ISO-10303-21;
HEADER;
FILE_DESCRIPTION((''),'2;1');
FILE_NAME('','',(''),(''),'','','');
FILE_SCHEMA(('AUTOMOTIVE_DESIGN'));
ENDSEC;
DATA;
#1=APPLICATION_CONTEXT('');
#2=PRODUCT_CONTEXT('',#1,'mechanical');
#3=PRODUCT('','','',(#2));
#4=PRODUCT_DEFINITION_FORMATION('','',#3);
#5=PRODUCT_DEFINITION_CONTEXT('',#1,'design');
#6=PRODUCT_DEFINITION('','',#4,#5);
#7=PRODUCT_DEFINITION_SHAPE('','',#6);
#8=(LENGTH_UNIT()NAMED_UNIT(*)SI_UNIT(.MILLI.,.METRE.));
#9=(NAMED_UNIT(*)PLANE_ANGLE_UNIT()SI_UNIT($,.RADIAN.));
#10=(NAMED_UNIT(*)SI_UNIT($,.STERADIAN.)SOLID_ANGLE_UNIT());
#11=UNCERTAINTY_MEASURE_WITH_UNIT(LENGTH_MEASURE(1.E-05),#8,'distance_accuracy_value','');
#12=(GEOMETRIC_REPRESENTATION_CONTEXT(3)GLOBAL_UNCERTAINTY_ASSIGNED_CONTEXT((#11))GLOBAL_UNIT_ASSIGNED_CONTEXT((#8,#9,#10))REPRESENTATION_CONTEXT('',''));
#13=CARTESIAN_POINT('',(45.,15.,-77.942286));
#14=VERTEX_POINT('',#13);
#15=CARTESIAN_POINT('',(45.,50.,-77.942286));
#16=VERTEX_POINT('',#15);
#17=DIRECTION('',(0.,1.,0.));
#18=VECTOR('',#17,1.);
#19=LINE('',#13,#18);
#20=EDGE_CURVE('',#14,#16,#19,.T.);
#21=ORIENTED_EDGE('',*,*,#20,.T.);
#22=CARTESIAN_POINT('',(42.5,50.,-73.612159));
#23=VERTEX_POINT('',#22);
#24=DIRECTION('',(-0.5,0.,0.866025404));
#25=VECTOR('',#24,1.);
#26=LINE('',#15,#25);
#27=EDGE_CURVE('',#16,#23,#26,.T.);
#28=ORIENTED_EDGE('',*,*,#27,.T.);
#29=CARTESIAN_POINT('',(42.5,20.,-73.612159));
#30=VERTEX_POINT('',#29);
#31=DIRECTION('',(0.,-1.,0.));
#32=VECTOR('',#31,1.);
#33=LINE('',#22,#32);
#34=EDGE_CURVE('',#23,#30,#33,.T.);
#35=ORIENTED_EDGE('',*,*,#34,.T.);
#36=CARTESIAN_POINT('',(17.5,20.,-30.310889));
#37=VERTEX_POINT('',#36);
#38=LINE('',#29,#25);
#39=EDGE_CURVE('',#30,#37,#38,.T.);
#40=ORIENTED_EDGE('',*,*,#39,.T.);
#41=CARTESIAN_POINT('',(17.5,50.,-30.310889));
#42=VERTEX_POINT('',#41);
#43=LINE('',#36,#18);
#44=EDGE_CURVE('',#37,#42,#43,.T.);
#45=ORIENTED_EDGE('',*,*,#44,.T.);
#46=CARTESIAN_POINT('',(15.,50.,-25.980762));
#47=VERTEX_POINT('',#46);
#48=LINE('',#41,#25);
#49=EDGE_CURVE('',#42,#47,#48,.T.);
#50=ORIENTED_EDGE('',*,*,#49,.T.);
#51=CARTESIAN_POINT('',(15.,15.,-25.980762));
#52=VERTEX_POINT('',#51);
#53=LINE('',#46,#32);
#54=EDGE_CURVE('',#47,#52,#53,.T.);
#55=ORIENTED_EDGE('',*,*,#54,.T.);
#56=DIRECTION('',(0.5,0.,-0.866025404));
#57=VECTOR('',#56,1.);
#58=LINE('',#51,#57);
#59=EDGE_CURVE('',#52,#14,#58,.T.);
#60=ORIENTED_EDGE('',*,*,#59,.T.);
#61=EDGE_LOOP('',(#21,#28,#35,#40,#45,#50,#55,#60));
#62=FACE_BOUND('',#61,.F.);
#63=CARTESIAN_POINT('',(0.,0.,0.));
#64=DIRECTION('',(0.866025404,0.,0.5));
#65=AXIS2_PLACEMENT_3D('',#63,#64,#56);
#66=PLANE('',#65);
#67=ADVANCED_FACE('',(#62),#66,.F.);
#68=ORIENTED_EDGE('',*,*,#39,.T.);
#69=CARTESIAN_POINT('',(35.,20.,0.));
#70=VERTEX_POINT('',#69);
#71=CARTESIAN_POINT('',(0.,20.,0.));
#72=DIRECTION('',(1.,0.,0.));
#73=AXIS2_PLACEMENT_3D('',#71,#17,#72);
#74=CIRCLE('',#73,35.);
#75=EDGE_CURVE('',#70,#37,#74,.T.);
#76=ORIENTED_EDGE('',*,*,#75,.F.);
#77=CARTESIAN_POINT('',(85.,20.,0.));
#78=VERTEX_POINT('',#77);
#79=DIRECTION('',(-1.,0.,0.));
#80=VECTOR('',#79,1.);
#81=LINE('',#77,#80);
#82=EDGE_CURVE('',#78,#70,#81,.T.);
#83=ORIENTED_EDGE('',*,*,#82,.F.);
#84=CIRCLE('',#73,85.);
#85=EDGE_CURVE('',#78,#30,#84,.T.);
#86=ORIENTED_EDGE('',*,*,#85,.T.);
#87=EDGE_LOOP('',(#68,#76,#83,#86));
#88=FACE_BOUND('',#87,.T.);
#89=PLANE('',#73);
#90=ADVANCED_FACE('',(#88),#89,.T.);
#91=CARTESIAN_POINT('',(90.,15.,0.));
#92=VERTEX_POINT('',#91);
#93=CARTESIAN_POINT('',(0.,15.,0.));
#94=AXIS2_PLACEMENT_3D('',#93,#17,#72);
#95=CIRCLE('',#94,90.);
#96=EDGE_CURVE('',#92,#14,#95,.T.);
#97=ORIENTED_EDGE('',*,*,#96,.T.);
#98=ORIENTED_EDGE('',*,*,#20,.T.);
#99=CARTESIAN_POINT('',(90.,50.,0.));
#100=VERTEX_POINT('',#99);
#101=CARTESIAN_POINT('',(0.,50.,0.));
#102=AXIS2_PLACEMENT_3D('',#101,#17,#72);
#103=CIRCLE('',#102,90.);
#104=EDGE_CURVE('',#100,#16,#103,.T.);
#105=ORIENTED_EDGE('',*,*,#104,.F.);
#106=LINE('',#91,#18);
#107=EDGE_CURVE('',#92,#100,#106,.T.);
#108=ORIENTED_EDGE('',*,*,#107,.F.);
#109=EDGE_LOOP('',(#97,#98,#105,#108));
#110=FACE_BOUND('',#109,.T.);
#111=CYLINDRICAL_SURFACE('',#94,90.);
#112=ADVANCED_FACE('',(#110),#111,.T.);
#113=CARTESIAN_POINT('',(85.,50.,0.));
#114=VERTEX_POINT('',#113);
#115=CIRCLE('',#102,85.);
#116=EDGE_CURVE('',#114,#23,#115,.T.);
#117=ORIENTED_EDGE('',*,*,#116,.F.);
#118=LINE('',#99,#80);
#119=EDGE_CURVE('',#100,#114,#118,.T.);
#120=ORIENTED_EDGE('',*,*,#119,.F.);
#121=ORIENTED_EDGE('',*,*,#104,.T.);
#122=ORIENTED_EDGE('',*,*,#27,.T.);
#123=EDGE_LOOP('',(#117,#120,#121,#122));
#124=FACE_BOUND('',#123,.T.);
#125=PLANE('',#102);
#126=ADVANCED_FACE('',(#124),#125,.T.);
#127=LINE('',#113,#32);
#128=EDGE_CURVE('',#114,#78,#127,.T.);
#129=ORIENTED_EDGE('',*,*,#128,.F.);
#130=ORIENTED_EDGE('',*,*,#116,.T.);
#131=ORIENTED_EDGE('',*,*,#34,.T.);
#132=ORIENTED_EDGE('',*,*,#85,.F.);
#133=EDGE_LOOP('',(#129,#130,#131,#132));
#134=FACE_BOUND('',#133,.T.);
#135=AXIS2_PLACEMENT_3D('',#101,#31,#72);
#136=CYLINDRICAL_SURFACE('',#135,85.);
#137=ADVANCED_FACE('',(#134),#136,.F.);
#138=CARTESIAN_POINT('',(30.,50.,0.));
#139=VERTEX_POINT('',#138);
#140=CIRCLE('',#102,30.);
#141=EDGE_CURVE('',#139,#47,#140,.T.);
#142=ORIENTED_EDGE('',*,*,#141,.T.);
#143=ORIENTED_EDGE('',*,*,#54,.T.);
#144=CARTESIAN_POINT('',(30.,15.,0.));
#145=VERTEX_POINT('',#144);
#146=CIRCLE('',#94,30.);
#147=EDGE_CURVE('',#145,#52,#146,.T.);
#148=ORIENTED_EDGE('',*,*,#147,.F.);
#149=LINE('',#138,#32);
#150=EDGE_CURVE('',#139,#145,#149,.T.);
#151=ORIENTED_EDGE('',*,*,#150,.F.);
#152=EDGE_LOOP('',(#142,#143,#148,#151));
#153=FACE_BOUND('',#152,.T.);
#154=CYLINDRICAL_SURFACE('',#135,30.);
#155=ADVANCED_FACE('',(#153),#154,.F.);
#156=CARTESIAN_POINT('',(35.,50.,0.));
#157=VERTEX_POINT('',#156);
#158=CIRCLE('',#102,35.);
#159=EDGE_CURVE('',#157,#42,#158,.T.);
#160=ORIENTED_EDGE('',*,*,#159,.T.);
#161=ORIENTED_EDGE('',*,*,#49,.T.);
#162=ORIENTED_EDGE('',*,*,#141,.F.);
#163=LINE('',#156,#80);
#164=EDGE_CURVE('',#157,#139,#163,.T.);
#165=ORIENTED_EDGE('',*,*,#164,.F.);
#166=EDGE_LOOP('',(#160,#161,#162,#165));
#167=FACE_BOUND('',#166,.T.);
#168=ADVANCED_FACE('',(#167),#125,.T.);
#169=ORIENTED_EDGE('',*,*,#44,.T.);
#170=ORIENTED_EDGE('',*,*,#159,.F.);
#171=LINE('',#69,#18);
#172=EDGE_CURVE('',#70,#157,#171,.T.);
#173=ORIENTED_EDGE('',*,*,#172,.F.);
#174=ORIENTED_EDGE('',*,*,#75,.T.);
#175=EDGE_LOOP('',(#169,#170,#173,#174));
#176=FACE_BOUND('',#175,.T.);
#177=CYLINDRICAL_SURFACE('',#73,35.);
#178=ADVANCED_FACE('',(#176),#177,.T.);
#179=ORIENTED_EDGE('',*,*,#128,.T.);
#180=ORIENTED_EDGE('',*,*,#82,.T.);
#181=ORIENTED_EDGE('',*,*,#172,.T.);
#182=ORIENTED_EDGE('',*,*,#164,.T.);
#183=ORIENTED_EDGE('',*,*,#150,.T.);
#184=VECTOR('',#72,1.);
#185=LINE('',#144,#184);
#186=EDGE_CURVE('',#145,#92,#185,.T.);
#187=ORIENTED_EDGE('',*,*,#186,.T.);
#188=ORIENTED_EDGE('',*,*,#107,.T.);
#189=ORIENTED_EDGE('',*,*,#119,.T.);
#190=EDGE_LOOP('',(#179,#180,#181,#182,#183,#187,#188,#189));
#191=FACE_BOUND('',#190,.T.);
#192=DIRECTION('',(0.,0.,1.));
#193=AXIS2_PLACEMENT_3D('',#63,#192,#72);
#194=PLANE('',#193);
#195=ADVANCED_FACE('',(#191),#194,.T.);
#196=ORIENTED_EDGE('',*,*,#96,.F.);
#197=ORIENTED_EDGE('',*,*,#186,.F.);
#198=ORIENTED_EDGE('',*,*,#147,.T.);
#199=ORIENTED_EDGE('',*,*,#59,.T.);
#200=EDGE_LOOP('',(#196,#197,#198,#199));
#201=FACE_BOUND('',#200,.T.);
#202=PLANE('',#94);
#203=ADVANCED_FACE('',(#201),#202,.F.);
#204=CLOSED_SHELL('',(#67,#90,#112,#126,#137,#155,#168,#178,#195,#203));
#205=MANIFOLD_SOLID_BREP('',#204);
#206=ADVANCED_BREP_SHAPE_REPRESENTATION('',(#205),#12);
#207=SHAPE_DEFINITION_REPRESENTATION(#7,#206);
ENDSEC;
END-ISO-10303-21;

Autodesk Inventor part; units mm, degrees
ref_plane "YZ Plane" through (0, 0, 0) normal (1, 0, 0) x (0, 1, 0)
ref_plane "XZ Plane" through (0, 0, 0) normal (0, 1, 0) x (-1, 0, 0)
ref_plane "XY Plane" through (0, 0, 0) normal (0, 0, 1) x (1, 0, 0)
sketch "Sketch1" plane through (0, 0, 0) normal (0, 0, 1) x (1, 0, 0)
  line L0 (0, 0) -> (0, 50) construction
  line L1 (0, 50) -> (30, 50) construction
  line L2 (30, 50) -> (30, 15)
  line L3 (30, 15) -> (90, 15)
  line L4 (90, 15) -> (90, 50)
  line L5 (90, 50) -> (85, 50)
  line L6 (85, 50) -> (85, 20)
  line L7 (85, 20) -> (35, 20)
  line L8 (35, 20) -> (35, 50)
  line L9 (35, 50) -> (30, 50)
  dimension "d0" = 50
  dimension "d1" = 30
  dimension "d2" = 35
  dimension "d3" = 60
  dimension "d4" = 35
  dimension "d5" = 5
  dimension "d6" = 30
  dimension "d7" = 50
revolve "Revolution1" add sketch "Sketch1" angle 60 about axis through (0, 0, 0) along (0, 1, 0)
properties part number "track z2201"
